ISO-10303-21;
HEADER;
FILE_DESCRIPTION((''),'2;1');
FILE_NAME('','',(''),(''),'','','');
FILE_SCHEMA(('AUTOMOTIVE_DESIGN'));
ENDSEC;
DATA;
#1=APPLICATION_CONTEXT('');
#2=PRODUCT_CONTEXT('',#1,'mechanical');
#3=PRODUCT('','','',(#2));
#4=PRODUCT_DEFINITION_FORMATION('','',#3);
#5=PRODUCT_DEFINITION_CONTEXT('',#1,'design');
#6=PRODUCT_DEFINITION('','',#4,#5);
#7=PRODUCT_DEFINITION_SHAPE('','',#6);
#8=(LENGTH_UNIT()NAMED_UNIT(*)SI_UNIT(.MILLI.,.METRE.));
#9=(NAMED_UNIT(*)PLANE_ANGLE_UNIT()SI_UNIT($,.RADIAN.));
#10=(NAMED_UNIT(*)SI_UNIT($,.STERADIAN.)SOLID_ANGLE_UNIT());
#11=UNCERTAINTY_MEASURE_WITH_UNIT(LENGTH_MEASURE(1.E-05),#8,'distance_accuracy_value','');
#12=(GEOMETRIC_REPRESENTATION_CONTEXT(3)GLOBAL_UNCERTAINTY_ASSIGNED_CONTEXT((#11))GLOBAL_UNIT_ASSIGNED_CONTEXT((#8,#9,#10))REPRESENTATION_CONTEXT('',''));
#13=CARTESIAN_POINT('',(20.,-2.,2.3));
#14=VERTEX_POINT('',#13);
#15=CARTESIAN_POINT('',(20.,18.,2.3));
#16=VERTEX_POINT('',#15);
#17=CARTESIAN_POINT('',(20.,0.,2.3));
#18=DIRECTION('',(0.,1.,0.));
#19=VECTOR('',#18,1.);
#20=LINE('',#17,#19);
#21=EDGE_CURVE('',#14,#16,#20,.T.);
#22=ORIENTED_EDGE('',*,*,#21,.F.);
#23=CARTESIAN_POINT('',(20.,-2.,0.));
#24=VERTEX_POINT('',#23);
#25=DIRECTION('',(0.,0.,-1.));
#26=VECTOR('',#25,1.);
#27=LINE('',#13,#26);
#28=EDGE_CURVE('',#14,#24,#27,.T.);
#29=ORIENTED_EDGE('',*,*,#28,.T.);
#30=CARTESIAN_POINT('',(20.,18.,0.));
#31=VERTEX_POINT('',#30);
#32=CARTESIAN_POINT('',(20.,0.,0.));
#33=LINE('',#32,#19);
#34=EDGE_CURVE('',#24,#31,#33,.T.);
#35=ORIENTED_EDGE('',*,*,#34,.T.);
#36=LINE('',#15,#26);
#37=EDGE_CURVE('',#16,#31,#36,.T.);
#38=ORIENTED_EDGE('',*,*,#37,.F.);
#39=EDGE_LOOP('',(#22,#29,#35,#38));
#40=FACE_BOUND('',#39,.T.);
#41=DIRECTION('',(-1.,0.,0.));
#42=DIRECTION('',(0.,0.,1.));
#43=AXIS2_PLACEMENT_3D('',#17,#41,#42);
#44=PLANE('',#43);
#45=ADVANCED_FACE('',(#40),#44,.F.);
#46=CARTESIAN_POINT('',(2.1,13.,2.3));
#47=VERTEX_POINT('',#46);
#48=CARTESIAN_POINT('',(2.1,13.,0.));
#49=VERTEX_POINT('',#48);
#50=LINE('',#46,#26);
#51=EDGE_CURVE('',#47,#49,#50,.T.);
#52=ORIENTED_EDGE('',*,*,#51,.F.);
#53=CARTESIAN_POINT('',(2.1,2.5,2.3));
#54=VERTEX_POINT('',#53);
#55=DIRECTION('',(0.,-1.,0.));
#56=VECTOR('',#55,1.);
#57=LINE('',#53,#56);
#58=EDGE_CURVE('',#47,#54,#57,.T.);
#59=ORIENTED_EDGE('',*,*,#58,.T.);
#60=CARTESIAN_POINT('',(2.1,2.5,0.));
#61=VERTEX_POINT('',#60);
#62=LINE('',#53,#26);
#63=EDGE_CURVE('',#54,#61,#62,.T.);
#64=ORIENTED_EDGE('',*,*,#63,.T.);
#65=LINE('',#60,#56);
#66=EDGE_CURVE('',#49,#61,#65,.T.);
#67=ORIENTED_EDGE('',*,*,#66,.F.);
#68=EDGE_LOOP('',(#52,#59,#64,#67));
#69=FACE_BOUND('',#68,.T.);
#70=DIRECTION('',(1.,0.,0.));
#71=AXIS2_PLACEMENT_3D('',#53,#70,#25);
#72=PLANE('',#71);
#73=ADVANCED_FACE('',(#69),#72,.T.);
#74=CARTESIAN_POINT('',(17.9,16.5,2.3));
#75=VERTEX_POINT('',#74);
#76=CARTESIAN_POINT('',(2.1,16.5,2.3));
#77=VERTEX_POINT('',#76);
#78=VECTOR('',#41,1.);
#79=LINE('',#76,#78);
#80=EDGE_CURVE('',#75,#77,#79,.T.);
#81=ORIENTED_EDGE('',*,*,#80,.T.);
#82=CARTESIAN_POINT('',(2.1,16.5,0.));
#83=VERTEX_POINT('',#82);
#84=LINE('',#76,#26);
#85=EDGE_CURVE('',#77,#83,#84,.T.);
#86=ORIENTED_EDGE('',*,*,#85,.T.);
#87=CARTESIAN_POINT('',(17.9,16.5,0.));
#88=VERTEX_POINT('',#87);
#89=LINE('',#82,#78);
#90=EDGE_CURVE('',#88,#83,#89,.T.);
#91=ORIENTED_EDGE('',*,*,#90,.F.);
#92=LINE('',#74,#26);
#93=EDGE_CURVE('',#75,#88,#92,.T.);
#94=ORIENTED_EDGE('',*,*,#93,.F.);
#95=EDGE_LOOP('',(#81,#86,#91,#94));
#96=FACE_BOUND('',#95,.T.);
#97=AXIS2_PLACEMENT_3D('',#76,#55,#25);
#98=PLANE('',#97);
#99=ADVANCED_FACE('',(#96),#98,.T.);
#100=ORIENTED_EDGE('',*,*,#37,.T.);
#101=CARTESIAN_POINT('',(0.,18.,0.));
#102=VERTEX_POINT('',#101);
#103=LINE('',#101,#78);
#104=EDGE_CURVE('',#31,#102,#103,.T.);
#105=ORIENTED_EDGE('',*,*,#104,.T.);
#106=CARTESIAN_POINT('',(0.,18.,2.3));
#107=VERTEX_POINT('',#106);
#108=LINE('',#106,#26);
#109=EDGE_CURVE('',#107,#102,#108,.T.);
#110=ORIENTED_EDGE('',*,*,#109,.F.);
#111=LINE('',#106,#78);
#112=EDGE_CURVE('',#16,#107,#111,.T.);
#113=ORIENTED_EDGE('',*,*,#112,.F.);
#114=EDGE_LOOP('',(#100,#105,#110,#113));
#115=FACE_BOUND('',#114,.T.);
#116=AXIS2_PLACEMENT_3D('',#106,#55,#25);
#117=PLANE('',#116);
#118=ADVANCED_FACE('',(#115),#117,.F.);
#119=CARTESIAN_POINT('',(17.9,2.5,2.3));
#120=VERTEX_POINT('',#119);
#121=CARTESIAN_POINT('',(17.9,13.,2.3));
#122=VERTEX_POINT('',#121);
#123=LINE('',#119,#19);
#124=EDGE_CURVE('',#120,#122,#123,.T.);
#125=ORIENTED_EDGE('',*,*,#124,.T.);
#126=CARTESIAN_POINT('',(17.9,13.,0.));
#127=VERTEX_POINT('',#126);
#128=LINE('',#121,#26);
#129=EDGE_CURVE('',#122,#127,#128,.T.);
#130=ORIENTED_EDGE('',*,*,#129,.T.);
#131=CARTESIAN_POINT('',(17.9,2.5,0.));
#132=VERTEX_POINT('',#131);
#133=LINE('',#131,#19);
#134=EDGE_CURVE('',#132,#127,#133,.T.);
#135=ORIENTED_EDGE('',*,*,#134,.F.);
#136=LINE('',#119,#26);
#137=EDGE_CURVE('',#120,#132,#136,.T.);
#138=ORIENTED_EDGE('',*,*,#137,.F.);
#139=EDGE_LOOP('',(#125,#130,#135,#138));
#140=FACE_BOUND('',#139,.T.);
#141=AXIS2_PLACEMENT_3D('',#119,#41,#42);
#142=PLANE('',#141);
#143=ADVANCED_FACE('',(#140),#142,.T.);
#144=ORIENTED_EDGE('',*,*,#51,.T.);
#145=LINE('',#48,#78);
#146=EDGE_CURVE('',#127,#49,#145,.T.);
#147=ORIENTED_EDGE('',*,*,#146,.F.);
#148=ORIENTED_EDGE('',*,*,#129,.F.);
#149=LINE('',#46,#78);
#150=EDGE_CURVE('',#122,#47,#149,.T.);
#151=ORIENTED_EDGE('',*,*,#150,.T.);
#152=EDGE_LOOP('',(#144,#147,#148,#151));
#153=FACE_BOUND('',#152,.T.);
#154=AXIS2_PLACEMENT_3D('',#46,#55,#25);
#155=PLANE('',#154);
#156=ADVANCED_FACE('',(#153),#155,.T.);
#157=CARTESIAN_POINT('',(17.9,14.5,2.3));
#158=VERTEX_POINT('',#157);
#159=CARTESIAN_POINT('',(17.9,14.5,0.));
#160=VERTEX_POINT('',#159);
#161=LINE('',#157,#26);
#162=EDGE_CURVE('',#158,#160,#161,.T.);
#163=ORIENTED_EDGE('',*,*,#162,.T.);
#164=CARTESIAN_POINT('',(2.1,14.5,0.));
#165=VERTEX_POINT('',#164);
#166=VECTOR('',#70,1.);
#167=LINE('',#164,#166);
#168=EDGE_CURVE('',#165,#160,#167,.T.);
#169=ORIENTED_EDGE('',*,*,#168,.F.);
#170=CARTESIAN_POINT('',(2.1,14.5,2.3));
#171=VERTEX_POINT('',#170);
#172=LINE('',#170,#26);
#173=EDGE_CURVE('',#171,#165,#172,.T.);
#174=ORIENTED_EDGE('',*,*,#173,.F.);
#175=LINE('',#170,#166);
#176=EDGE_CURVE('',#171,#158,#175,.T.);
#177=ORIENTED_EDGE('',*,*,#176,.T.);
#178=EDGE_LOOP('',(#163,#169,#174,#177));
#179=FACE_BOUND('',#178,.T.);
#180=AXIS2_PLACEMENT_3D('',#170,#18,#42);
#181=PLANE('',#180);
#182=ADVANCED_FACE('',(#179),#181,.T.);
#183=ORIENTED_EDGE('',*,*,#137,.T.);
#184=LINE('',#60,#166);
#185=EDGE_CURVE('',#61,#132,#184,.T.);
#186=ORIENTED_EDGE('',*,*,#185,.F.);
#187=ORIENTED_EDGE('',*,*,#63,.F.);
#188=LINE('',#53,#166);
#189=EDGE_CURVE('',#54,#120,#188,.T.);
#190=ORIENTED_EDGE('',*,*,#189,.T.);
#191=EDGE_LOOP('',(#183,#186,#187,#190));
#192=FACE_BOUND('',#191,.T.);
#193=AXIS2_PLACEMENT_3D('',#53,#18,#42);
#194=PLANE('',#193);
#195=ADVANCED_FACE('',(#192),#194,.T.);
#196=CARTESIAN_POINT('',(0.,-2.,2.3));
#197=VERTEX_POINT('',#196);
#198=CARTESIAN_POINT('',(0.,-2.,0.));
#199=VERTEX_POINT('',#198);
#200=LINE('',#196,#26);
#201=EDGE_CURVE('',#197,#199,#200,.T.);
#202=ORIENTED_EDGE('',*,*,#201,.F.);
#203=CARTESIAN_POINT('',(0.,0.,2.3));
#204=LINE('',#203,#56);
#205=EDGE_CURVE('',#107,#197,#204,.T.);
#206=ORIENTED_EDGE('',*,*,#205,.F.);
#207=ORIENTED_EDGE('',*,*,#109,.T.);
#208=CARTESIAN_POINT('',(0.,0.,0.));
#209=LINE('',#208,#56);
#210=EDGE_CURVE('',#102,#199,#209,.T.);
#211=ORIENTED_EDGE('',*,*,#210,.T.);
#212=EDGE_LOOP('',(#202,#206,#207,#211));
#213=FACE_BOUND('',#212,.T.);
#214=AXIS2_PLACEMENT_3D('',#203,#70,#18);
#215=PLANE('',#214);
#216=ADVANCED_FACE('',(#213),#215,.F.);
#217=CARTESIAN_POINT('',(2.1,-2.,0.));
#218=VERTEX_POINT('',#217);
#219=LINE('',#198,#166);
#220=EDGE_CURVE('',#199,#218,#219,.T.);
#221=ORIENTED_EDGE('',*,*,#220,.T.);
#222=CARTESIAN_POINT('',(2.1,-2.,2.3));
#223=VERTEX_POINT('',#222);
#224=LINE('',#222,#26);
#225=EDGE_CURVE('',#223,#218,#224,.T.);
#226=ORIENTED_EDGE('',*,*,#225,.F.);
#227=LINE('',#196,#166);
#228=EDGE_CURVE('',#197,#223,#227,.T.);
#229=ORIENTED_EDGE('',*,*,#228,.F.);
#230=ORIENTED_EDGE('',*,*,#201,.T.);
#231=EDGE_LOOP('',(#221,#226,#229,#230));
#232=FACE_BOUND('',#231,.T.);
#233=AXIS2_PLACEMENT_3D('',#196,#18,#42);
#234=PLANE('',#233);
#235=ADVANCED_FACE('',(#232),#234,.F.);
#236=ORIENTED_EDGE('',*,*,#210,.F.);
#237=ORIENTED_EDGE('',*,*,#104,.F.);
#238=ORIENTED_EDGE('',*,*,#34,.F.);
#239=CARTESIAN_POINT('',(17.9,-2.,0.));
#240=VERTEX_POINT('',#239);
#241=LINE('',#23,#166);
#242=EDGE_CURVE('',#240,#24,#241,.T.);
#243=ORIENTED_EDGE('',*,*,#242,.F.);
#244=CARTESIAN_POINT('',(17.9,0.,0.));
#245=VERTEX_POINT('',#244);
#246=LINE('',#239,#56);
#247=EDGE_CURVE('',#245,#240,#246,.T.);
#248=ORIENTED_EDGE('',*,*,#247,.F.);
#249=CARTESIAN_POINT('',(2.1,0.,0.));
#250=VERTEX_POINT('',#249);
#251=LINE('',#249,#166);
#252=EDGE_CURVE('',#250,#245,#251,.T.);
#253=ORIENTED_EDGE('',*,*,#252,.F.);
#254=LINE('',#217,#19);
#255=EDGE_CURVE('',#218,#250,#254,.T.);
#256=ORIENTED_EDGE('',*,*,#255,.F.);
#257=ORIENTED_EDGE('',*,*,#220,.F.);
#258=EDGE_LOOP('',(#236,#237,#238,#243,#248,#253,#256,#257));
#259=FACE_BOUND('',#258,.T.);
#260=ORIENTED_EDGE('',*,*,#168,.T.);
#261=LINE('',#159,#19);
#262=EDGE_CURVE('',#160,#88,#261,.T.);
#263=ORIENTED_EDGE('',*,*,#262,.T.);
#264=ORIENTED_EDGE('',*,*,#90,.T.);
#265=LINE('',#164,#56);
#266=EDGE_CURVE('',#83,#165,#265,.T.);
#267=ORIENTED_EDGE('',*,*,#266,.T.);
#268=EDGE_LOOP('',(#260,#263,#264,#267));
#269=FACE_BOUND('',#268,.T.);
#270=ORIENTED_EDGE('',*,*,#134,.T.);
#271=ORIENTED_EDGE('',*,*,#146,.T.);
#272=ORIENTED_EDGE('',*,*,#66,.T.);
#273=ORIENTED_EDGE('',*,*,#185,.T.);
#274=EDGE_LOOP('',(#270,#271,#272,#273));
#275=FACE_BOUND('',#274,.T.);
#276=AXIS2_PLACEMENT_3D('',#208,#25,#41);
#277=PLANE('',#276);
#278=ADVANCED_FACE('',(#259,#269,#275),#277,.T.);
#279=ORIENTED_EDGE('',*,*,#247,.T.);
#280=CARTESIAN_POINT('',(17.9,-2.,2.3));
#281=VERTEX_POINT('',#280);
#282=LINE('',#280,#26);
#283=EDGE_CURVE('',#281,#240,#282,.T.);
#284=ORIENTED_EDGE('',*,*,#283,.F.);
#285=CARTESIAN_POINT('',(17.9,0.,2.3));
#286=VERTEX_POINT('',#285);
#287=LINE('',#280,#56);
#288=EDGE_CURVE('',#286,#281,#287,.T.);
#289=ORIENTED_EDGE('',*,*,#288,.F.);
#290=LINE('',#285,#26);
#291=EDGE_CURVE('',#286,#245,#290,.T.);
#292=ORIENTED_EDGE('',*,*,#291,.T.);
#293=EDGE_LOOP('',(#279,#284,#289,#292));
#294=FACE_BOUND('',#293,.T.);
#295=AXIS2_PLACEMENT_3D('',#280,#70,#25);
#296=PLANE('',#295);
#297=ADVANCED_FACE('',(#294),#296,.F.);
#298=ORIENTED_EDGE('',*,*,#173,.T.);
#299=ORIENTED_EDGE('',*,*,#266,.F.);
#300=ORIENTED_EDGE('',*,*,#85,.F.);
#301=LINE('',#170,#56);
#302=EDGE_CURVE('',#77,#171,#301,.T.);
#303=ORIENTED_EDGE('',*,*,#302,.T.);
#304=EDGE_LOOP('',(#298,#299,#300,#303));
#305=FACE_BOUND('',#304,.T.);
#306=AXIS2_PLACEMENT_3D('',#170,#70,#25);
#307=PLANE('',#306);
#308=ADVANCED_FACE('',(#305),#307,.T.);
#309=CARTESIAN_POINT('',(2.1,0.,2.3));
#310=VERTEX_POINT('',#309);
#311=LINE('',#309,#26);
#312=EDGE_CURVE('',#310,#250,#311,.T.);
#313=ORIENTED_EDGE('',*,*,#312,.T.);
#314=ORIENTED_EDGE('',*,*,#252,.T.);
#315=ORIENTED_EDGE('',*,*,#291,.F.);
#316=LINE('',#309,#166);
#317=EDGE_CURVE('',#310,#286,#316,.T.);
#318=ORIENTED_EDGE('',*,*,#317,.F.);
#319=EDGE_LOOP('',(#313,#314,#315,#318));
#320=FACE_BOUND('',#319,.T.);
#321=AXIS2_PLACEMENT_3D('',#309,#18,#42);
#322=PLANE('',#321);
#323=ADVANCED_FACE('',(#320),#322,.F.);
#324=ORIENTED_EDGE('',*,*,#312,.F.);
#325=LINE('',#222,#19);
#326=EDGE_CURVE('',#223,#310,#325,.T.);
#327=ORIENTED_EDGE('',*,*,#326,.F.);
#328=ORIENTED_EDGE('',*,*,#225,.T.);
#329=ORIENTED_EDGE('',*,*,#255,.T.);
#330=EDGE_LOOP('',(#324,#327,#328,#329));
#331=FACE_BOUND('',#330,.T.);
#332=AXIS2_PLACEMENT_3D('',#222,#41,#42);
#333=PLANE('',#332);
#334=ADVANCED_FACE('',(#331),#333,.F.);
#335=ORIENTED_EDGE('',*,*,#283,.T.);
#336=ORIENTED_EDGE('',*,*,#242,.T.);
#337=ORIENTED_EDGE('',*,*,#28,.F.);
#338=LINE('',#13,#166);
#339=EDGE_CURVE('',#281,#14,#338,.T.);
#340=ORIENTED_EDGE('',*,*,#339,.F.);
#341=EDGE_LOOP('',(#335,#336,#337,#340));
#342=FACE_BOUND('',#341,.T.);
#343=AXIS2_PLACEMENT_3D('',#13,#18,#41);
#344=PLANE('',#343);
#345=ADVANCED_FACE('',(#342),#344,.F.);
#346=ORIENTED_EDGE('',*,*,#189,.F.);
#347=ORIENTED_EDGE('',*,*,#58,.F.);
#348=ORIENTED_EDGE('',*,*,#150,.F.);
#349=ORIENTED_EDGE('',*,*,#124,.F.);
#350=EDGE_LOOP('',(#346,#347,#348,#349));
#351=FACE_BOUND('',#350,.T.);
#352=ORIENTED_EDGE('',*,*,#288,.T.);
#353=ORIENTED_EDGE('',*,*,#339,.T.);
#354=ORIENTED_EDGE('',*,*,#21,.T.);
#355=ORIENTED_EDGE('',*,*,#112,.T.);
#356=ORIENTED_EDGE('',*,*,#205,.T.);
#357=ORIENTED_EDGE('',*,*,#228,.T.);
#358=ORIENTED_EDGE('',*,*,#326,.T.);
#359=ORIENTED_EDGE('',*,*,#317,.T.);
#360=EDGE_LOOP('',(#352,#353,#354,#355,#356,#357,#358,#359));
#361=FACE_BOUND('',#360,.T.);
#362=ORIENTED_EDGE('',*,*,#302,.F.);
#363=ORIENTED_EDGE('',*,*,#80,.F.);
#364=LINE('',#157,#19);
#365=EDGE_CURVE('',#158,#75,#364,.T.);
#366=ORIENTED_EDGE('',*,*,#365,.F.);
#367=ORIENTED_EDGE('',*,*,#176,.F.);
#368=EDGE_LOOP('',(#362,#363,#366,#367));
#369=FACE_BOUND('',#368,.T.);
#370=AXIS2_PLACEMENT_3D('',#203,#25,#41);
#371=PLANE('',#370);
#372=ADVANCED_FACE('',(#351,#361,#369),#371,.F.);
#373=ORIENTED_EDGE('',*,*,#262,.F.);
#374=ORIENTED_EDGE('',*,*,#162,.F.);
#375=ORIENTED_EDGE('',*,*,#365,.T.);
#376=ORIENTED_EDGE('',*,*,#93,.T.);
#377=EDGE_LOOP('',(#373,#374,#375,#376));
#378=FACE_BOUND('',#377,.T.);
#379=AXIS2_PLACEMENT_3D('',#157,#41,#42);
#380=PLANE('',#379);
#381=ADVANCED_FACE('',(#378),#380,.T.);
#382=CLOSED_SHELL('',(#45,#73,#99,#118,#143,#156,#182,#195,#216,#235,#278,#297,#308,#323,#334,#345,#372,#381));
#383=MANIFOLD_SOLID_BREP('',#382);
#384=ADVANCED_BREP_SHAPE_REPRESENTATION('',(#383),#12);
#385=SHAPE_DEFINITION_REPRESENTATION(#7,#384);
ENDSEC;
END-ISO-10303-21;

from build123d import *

# Parameters (mm, degrees)
SKETCH1_W           = 15.8
SKETCH1_H           = 10.5
SKETCH1_H_2         = 2
BOSS_EXTRUDE1_DEPTH = 2.3


with BuildPart() as part:
    # Sketch1 → Boss-Extrude1 (new body)
    with BuildSketch(Plane.XY):
        Polygon((0, 0), (0, -2), (2.1, -2), (2.1, 0), (17.9, 0), (17.9, -2), (20, -2), (20, 0), (20, 18), (0, 18), align=None)
        with Locations((10, 7.75)):
            Rectangle(SKETCH1_W, SKETCH1_H, mode=Mode.SUBTRACT)
        with Locations((10, 15.5)):
            Rectangle(SKETCH1_W, SKETCH1_H_2, mode=Mode.SUBTRACT)
    extrude(amount=BOSS_EXTRUDE1_DEPTH)


solid = part.part
